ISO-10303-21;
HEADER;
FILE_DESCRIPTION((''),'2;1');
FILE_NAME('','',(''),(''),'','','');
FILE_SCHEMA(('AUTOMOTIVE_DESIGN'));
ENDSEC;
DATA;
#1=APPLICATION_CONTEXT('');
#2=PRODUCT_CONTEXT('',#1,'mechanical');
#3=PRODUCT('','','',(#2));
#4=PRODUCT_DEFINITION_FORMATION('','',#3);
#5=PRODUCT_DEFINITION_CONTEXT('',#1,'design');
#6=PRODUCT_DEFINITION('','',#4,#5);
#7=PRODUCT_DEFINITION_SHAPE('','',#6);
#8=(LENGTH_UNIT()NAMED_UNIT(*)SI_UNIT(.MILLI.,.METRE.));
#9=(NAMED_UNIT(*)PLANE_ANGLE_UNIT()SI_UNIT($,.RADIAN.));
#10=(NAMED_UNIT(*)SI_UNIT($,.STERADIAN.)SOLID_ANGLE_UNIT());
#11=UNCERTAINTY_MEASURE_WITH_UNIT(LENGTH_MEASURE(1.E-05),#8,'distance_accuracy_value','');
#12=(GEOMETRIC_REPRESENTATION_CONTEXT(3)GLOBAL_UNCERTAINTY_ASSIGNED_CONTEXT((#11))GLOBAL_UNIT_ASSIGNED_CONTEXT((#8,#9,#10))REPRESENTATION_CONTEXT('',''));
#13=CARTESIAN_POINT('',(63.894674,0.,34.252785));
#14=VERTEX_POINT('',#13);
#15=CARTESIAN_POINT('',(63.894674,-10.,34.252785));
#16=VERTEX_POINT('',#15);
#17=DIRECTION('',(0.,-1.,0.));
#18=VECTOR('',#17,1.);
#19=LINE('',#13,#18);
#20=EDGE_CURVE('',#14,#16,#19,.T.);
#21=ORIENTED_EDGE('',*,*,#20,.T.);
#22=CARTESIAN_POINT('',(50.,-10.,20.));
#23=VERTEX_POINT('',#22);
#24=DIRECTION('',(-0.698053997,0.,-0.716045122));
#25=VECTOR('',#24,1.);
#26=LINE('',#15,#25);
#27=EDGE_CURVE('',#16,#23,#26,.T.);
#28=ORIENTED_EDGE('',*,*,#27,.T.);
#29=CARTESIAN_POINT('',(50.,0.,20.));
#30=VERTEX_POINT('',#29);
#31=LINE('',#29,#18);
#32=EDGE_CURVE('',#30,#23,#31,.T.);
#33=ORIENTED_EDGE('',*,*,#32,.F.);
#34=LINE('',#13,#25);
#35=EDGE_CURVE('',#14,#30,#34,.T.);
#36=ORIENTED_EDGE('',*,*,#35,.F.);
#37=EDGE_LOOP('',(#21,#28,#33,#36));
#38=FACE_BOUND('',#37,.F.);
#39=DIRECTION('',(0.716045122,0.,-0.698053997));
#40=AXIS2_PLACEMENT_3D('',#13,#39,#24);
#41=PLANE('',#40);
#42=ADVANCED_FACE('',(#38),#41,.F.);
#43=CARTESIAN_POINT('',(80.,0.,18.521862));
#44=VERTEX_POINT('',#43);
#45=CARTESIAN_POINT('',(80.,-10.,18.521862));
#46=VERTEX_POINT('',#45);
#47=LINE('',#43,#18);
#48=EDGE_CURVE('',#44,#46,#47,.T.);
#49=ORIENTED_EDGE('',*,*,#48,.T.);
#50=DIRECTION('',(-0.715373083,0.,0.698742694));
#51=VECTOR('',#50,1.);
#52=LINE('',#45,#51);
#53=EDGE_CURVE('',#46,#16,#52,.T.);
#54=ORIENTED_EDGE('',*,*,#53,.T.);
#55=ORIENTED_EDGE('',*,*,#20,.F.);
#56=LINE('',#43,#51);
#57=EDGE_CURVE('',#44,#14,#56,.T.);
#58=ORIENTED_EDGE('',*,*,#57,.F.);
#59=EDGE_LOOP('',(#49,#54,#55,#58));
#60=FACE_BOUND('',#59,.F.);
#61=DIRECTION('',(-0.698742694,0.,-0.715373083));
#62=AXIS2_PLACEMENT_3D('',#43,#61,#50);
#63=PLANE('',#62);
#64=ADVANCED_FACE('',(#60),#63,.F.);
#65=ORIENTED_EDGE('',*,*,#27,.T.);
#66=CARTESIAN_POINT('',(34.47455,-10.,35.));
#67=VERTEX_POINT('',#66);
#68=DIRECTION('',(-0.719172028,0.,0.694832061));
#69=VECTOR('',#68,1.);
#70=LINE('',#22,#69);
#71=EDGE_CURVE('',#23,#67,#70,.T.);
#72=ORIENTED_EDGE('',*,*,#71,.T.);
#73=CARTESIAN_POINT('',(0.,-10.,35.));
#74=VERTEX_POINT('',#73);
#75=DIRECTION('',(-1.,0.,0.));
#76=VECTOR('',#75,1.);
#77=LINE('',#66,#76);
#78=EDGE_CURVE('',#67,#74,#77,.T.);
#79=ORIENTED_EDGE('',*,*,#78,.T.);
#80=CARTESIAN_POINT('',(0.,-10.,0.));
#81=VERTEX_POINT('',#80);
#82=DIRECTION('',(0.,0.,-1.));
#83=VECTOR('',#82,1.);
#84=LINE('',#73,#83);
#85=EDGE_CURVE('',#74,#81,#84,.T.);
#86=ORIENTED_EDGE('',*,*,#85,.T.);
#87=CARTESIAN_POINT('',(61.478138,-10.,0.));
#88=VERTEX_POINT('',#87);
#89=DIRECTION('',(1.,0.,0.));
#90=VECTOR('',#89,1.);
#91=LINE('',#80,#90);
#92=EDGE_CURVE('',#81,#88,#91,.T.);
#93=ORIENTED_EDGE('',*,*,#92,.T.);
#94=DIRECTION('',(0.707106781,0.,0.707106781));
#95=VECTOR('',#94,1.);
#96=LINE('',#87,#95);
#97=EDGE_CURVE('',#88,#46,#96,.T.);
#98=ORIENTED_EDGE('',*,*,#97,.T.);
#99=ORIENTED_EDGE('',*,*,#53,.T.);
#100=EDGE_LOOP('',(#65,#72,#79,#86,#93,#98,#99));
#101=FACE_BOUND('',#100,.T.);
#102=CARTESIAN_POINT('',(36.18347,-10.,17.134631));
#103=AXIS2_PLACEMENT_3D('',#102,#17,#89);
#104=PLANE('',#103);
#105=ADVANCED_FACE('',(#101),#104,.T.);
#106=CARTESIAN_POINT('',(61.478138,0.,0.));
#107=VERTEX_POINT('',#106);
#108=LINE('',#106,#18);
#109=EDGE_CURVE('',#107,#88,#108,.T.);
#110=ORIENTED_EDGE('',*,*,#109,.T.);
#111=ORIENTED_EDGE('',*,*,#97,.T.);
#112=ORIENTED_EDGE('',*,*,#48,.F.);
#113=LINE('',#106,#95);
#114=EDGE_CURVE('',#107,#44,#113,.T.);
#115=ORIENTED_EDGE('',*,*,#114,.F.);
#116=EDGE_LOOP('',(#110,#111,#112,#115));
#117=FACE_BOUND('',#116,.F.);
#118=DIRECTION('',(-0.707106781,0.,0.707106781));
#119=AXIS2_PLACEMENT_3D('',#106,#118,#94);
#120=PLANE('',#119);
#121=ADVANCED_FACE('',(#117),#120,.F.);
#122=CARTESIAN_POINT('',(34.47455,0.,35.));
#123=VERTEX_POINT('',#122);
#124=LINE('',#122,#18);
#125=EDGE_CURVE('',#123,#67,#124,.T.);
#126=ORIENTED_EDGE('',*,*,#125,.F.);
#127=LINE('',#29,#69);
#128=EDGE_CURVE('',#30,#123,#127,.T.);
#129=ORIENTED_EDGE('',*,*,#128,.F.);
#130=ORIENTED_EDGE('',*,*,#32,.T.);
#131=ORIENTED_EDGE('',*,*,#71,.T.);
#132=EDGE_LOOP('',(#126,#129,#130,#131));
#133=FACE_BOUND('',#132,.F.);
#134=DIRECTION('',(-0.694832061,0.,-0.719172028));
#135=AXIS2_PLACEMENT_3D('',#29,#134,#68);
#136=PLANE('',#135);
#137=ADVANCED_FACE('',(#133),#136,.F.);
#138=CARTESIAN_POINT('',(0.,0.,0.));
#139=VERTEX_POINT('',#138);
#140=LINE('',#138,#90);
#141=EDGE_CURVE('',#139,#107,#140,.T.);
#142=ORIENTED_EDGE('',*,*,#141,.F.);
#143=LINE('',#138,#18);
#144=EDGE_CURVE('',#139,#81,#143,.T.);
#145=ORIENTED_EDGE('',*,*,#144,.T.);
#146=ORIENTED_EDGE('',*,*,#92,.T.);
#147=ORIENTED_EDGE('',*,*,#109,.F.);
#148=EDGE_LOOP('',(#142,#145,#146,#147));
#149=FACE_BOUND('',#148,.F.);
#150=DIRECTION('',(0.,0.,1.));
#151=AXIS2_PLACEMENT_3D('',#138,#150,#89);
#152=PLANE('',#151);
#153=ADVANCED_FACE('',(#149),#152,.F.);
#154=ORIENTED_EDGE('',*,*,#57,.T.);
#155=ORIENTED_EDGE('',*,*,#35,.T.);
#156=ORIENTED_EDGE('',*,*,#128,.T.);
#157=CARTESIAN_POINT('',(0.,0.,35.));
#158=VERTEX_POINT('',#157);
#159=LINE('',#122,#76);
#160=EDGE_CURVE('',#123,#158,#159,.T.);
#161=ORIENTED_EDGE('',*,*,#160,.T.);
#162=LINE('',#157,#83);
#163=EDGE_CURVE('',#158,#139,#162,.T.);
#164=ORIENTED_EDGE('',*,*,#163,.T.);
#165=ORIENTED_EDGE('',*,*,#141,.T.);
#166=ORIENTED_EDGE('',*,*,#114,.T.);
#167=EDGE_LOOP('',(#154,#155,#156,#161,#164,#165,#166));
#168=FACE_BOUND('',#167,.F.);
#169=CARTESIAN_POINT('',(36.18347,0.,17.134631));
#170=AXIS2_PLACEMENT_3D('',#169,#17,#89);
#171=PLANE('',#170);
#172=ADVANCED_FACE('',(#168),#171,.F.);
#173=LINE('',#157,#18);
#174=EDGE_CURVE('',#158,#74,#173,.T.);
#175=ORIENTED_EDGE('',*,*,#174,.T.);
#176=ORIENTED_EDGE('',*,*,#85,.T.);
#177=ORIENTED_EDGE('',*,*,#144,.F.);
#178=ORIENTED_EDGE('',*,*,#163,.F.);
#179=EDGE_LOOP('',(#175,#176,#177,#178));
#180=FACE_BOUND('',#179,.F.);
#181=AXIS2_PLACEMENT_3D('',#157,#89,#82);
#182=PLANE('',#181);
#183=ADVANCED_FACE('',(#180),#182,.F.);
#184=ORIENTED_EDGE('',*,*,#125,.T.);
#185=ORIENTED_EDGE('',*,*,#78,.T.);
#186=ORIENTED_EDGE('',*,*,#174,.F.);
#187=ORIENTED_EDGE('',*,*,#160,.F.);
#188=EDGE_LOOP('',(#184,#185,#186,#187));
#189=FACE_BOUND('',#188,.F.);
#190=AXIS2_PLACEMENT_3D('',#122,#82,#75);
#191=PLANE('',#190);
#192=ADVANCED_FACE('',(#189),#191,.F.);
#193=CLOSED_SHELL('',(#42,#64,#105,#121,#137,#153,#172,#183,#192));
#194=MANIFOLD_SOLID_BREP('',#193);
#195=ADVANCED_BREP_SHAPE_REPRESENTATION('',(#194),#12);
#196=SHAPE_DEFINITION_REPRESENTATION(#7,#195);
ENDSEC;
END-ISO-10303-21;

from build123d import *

# Parameters (mm, degrees)
F1_DEPTH = 10


with BuildPart() as f1:
    # F0 (on Front) → F1 (new body)
    with BuildSketch(Plane.XZ):
        Polygon((0, 35), (0, 0), (61.478138, 0), (80, 18.521862), (63.894674, 34.252785), (50, 20), (34.47455, 35), align=None)
    extrude(amount=F1_DEPTH)


solid = f1.part
